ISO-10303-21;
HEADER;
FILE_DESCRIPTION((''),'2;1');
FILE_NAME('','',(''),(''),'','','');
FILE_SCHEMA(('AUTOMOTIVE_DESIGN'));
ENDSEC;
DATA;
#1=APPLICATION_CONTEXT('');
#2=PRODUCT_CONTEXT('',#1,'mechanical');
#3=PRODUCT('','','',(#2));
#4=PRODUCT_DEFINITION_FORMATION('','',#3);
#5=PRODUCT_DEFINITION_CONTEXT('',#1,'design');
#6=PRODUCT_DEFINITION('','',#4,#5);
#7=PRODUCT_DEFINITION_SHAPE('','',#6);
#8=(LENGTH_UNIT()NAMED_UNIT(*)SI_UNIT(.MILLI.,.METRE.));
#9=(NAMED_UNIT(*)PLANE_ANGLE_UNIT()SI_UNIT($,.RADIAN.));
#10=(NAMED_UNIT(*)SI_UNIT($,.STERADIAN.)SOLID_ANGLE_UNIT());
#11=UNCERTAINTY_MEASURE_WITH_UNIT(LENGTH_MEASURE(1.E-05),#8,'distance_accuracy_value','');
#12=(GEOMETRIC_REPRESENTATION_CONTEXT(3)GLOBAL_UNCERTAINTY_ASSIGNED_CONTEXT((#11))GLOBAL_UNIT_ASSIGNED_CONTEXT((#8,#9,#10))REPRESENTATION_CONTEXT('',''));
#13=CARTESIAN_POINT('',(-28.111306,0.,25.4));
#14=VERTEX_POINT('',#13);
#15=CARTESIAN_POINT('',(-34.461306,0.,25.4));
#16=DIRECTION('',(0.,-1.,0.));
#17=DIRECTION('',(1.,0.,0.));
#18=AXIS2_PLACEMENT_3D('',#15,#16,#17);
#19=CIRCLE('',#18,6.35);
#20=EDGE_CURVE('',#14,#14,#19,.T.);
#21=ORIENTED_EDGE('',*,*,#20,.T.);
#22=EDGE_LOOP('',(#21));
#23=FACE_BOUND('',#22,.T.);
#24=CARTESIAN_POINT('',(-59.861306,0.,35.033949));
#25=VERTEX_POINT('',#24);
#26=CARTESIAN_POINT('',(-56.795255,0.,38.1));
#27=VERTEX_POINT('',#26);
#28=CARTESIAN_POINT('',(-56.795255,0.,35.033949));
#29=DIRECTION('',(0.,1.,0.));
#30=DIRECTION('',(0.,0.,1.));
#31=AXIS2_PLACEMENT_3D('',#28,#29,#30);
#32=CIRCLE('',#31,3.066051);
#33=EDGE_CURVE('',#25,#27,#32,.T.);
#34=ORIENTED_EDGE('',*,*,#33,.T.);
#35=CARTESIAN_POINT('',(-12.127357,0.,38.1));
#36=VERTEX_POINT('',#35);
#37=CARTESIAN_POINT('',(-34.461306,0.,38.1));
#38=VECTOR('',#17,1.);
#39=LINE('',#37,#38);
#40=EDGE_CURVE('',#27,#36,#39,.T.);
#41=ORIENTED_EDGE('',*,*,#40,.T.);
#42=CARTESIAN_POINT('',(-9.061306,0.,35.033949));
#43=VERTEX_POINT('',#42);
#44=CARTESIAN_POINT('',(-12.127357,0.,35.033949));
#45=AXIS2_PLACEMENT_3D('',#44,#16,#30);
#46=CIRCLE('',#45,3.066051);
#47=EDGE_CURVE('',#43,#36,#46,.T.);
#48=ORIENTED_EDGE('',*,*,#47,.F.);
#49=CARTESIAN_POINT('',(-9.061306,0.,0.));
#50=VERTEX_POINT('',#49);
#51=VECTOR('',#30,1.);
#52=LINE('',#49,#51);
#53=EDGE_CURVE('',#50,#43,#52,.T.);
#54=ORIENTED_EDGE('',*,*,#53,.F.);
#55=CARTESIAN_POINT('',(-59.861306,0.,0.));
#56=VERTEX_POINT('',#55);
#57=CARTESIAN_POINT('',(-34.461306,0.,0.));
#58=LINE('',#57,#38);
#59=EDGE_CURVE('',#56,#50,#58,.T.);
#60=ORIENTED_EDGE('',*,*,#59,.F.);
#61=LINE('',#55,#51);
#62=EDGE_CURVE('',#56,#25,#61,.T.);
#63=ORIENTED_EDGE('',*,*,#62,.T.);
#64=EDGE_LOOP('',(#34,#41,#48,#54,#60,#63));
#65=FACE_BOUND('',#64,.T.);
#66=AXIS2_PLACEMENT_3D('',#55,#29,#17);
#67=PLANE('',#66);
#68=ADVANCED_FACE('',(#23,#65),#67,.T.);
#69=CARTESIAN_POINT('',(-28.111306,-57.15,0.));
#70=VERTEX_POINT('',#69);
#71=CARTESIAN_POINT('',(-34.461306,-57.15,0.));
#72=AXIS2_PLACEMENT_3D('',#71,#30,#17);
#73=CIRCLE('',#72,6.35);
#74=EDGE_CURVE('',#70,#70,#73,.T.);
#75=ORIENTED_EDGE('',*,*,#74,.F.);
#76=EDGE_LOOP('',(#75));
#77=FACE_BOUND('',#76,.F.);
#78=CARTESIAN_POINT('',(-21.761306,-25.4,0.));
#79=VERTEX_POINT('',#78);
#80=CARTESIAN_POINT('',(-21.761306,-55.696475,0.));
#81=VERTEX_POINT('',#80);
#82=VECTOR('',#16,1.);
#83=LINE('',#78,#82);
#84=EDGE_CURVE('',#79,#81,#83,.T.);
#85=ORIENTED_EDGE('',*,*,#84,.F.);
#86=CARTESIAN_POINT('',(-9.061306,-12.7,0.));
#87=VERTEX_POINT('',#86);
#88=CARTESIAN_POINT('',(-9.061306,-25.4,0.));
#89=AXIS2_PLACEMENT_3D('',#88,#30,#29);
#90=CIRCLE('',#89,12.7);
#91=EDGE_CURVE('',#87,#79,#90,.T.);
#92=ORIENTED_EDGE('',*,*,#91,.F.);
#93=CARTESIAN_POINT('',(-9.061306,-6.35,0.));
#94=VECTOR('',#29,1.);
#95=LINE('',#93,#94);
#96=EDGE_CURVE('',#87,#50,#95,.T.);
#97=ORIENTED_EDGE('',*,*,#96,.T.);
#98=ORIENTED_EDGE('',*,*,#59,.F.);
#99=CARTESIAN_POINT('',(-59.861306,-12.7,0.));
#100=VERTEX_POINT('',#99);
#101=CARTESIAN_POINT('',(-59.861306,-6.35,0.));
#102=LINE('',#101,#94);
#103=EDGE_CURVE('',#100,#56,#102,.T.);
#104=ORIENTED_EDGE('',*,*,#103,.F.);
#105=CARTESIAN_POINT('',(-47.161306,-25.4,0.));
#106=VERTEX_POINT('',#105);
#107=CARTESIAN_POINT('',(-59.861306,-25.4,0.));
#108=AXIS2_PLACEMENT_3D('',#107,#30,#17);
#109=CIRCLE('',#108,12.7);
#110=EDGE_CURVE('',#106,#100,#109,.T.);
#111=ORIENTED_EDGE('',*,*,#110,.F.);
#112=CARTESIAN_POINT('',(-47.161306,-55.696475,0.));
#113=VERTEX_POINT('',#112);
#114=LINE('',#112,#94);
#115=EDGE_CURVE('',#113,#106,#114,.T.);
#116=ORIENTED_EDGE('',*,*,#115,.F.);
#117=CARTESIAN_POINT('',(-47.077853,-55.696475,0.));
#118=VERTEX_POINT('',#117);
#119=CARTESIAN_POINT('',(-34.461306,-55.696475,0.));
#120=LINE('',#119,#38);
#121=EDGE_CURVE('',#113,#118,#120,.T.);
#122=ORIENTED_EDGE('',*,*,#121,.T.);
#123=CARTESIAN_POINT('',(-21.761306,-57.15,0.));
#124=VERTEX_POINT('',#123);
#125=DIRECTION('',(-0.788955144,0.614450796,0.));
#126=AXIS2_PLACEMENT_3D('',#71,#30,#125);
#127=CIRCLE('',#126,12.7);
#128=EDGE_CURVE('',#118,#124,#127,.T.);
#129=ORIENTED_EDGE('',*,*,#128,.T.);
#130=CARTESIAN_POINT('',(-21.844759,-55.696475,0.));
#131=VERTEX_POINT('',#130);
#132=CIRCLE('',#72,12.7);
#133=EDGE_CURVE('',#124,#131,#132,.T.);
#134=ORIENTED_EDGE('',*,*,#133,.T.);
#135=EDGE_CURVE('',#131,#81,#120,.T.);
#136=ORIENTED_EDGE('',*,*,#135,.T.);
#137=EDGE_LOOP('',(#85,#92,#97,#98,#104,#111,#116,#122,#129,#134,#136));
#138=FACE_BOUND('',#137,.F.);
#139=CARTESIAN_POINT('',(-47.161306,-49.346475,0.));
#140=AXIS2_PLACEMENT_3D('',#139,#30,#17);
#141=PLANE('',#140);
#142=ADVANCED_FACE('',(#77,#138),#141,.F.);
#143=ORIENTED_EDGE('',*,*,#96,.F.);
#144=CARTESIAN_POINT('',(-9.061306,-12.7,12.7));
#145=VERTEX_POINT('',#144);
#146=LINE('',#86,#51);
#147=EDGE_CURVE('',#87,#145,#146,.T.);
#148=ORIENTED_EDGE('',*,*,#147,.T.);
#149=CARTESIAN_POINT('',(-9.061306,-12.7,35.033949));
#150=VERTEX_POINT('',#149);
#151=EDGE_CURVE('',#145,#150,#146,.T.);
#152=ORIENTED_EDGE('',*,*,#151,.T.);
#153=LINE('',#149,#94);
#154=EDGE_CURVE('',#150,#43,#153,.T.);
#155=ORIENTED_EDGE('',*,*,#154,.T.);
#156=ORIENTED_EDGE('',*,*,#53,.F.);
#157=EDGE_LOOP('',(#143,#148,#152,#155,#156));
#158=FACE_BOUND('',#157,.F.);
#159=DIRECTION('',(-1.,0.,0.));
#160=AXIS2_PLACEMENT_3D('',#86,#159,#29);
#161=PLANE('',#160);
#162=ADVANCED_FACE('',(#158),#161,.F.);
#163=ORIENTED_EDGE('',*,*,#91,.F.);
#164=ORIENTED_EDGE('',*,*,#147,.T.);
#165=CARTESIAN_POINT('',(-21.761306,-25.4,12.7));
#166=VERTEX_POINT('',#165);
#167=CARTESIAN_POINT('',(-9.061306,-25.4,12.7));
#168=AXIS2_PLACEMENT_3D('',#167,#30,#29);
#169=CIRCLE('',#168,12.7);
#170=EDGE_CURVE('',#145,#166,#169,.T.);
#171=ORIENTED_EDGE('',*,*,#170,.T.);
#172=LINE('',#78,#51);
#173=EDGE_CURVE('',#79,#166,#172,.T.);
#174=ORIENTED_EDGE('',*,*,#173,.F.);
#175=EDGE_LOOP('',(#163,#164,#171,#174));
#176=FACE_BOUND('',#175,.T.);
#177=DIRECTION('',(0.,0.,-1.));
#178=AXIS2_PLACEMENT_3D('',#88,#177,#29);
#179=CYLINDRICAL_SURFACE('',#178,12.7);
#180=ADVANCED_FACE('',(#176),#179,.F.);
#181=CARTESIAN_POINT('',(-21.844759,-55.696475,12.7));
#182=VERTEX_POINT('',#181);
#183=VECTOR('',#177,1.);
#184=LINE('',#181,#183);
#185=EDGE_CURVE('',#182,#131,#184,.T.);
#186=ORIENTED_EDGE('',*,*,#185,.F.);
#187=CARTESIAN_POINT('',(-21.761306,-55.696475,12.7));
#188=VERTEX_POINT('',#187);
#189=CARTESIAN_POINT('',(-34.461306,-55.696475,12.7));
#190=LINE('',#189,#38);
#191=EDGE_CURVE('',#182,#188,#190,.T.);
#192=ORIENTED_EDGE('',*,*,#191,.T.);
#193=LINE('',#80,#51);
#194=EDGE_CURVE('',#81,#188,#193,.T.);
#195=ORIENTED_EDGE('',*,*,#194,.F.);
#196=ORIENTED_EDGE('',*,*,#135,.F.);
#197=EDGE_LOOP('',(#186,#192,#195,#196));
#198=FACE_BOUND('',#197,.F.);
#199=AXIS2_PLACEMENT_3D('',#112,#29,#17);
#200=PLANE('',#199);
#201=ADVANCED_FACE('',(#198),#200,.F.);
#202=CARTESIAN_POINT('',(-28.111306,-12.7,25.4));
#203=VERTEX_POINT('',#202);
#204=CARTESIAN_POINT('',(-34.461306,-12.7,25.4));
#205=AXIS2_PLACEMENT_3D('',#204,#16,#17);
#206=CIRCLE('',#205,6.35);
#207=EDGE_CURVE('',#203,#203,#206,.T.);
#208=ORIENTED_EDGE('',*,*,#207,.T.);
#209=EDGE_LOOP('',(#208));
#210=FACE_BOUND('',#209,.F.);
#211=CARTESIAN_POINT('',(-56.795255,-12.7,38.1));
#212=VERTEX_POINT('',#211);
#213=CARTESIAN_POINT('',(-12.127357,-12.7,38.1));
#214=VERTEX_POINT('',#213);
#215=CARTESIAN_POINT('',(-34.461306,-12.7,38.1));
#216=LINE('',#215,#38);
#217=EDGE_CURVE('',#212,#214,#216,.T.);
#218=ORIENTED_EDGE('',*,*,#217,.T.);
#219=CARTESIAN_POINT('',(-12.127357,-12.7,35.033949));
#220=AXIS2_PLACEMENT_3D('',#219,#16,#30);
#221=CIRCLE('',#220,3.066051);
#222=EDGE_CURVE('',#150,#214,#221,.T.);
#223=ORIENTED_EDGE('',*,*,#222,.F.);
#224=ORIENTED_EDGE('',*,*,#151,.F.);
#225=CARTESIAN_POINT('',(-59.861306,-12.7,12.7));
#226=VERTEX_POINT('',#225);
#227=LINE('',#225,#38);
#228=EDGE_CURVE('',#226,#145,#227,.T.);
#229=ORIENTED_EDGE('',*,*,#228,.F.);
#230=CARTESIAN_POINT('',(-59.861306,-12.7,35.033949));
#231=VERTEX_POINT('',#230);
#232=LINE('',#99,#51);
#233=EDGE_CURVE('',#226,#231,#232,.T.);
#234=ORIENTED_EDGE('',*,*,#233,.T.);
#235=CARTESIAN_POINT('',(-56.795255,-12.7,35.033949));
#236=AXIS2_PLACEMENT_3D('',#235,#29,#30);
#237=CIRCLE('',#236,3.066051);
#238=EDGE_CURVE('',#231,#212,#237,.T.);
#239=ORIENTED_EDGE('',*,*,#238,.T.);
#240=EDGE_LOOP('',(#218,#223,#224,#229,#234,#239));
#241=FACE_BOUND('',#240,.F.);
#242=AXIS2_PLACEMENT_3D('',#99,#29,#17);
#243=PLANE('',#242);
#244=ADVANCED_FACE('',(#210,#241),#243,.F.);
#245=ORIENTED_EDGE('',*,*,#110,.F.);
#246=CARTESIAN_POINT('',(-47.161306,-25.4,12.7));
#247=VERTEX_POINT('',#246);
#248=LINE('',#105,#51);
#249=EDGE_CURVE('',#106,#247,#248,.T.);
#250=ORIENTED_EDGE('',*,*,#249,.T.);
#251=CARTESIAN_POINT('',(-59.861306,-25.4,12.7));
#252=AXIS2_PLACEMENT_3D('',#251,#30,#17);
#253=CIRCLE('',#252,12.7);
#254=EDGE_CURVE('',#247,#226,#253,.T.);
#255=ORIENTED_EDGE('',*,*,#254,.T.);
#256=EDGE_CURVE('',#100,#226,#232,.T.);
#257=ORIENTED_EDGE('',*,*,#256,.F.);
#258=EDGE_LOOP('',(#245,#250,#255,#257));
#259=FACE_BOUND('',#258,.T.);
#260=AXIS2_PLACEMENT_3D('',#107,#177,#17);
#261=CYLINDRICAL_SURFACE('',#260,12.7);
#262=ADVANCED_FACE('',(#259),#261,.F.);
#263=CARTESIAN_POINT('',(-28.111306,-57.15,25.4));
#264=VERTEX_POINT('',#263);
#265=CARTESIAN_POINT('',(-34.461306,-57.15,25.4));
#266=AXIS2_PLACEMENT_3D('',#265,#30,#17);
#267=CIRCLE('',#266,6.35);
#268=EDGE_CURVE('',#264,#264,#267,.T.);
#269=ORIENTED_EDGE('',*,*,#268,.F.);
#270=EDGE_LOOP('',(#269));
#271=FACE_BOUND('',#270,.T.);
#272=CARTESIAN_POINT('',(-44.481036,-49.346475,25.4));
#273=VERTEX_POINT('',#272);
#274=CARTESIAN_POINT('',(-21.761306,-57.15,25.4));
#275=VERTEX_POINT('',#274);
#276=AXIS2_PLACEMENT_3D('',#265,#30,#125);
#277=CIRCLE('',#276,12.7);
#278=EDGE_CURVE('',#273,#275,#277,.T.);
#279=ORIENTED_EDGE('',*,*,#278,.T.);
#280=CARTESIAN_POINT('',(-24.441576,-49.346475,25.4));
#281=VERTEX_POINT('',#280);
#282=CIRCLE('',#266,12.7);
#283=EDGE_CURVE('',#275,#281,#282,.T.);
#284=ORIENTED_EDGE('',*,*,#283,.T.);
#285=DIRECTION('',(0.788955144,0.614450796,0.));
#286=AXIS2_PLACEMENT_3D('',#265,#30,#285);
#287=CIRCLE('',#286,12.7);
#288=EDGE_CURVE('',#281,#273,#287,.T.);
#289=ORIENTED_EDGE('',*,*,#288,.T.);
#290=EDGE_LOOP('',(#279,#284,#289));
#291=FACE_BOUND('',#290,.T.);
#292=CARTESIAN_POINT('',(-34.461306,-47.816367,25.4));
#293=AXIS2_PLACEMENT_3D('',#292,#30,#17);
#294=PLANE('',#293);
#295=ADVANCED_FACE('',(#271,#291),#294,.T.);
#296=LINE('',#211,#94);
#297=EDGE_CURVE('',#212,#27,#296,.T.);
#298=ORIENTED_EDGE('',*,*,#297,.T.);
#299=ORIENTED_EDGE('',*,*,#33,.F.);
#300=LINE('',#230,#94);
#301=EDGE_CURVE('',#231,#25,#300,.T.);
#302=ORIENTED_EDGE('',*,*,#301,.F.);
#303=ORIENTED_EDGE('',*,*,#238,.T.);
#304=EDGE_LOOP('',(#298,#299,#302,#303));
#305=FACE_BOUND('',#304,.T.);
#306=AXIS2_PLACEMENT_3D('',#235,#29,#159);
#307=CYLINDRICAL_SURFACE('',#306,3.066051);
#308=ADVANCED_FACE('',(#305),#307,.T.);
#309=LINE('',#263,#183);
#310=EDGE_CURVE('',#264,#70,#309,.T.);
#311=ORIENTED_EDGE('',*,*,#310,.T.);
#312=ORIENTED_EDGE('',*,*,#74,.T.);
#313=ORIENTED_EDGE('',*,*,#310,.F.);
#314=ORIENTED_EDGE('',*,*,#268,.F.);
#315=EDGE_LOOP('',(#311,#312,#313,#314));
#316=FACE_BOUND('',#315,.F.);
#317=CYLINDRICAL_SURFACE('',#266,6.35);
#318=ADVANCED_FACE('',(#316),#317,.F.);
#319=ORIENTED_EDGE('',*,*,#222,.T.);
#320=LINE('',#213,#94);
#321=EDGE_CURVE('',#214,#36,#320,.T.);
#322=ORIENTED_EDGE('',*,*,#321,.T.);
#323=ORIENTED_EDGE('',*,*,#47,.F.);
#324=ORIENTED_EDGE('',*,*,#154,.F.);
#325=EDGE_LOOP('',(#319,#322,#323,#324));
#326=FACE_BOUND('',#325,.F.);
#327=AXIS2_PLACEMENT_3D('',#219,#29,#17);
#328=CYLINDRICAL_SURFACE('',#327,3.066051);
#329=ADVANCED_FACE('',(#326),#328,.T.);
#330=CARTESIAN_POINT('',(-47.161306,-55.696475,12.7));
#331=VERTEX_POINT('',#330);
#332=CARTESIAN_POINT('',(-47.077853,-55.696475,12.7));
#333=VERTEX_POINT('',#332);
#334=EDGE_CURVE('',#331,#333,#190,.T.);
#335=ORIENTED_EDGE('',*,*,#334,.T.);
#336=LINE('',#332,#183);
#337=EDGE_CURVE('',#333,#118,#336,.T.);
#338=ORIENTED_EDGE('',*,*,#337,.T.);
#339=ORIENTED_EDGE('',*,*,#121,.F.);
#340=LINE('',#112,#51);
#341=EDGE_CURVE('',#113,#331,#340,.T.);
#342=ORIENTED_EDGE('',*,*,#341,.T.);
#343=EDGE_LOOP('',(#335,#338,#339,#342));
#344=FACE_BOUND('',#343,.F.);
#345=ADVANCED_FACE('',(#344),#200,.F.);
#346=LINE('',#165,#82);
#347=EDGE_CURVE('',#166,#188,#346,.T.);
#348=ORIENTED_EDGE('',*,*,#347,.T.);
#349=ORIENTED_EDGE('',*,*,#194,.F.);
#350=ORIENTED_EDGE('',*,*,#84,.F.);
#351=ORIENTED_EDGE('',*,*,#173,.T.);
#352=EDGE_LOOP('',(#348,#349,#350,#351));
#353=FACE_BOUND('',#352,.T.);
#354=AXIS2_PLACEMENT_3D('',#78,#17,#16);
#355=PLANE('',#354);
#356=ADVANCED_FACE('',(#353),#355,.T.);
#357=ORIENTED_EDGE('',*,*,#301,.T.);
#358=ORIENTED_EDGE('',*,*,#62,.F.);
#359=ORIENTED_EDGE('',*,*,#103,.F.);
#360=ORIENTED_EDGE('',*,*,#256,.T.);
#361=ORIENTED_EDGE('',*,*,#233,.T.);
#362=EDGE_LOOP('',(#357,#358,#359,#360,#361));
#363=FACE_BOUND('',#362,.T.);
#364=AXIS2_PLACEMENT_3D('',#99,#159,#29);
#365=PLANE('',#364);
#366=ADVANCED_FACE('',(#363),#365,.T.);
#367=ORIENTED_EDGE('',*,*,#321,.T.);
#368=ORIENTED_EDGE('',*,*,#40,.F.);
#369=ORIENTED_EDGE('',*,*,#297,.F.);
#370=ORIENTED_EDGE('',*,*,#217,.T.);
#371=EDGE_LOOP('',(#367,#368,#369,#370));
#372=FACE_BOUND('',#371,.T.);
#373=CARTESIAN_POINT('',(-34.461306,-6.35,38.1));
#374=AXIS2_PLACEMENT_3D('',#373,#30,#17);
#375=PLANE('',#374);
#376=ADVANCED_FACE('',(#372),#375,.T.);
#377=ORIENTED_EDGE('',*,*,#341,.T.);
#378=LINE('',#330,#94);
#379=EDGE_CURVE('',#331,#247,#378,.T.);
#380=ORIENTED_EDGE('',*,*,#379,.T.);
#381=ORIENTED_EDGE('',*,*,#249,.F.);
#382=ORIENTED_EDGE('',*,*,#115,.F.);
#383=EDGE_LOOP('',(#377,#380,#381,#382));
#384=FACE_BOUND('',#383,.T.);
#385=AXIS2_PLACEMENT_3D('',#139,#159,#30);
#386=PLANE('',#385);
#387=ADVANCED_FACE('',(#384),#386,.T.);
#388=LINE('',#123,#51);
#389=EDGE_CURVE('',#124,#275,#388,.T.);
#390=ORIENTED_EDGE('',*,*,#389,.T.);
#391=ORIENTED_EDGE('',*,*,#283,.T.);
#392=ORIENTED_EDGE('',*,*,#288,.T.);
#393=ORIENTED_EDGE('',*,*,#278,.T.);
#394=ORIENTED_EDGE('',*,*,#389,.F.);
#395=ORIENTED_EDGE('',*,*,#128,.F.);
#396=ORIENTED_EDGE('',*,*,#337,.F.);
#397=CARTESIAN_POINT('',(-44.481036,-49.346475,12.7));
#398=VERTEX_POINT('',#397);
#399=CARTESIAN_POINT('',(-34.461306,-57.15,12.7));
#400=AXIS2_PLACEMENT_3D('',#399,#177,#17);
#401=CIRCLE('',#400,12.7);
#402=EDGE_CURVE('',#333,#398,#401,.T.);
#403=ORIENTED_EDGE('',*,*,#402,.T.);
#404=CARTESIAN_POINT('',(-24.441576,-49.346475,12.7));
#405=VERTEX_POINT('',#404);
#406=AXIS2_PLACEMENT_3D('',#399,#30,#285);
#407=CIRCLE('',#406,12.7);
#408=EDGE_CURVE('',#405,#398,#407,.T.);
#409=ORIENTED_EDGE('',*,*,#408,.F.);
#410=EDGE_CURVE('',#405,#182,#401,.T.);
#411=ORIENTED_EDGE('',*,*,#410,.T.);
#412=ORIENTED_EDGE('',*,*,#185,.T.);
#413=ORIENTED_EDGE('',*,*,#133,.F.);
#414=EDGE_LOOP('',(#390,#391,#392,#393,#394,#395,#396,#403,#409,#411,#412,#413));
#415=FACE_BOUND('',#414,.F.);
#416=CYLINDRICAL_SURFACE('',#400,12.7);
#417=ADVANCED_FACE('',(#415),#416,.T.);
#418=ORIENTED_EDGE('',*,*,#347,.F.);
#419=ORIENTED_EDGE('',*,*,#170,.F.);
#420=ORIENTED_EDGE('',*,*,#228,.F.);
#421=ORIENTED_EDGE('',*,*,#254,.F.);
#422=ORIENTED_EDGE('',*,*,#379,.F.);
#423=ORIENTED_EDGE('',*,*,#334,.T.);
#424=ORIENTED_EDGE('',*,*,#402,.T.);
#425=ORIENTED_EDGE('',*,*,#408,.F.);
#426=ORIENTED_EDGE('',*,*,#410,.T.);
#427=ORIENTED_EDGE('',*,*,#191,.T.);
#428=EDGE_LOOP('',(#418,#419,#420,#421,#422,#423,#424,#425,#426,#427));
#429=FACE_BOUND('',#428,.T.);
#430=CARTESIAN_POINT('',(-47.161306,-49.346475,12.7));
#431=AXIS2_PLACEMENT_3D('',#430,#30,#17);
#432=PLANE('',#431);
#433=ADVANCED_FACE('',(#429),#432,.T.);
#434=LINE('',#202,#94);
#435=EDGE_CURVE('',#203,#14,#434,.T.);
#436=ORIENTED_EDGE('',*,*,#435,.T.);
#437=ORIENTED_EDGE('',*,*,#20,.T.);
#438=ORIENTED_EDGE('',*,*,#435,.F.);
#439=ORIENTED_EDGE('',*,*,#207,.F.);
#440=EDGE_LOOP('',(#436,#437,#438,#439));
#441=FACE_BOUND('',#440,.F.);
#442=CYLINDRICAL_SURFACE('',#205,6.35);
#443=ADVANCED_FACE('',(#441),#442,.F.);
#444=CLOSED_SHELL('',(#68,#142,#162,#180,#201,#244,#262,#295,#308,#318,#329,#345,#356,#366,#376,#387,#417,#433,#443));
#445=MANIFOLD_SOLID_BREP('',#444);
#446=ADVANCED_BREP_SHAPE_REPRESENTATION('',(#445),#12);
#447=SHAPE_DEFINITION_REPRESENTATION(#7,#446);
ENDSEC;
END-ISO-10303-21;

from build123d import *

# Parameters (mm, degrees)
F0_W      = 50.8
F0_H      = 12.7
F1_DEPTH  = 38.1
F2_W      = 25.4
F2_H      = 23.9464748895
F3_DEPTH  = 12.7
F5_DEPTH  = 12.7
F6_DEPTH  = 25.4
F7_DEPTH  = 6.35
F8_R      = 6.35
F9_DEPTH  = 25.4
F10_R     = 6.35
F11_DEPTH = 25.4
F12_R     = 3.0660512242


with BuildPart() as f1:
    # F0 (on Top) → F1 (new body)
    with BuildSketch(Plane.XY):
        with Locations((-34.4613061011, -6.35)):
            Rectangle(F0_W, F0_H)
    extrude(amount=F1_DEPTH)

    # F2 (on face) → F3 (join)
    with BuildSketch(Plane(origin=(0, 0, 0), x_dir=(1, 0, 0), z_dir=(0, 0, -1))):
        with BuildLine():
            ThreePointArc((-47.1613061011, 25.4), (-50.88104998, 16.4197438789), (-59.8613061011, 12.7))
            Line((-59.8613061011, 12.7), (-9.0613061011, 12.7))
            ThreePointArc((-9.0613061011, 12.7), (-18.0415622222, 16.4197438789), (-21.7613061011, 25.4))
            Line((-21.7613061011, 25.4), (-47.1613061011, 25.4))
        make_face()
        with Locations((-34.4613061011, 37.3732374447)):
            Rectangle(F2_W, F2_H)
    extrude(amount=-F3_DEPTH)

    # F4 (on face) → F5 (join)
    with BuildSketch(Plane.XY.offset(12.7)):
        with BuildLine():
            Line((-44.4810364292, -49.3464748895), (-24.4415757729, -49.3464748895))
            ThreePointArc((-24.4415757729, -49.3464748895), (-34.4613061011, -44.45), (-44.4810364292, -49.3464748895))
        make_face()
        with BuildLine():
            ThreePointArc((-44.4810364292, -49.3464748895), (-38.5868015157, -69.1612567029), (-21.7613061011, -57.15))
            ThreePointArc((-21.7613061011, -57.15), (-22.4500493981, -53.0245045854), (-24.4415757729, -49.3464748895))
            Line((-24.4415757729, -49.3464748895), (-44.4810364292, -49.3464748895))
        make_face()
    extrude(amount=F5_DEPTH)

    # F6 (add): a face of the model
    f6_faces = [f1.faces().sort_by_distance(p)[0] for p in [
        (-34.4613061011, -57.15, 25.4),
    ]]
    extrude(f6_faces, amount=-F6_DEPTH)

    # F7 (add): faces of the model
    f7_faces = [f1.faces().sort_by_distance(p)[0] for p in [
        (-45.8211712652, -49.3464748895, 6.35),
        (-23.101440937, -49.3464748895, 6.35),
    ]]
    extrude(f7_faces, amount=F7_DEPTH)

    # F8 (on face) → F9 (cut)
    with BuildSketch(Plane.XY.offset(25.4)):
        with Locations((-34.4613061011, -57.15)):
            Circle(F8_R)
    extrude(amount=-F9_DEPTH, mode=Mode.SUBTRACT)

    # F10 (on face) → F11 (cut)
    with BuildSketch(Plane.XZ.offset(12.7)):
        with Locations((-34.4613061011, 25.4)):
            Circle(F10_R)
    extrude(amount=-F11_DEPTH, mode=Mode.SUBTRACT)

    # F12
    f12_edges = [f1.edges().sort_by_distance(p)[0] for p in [
        (-59.861306, -6.35, 38.1),
        (-9.061306, -6.35, 38.1),
    ]]
    fillet(f12_edges, radius=F12_R)


solid = f1.part
